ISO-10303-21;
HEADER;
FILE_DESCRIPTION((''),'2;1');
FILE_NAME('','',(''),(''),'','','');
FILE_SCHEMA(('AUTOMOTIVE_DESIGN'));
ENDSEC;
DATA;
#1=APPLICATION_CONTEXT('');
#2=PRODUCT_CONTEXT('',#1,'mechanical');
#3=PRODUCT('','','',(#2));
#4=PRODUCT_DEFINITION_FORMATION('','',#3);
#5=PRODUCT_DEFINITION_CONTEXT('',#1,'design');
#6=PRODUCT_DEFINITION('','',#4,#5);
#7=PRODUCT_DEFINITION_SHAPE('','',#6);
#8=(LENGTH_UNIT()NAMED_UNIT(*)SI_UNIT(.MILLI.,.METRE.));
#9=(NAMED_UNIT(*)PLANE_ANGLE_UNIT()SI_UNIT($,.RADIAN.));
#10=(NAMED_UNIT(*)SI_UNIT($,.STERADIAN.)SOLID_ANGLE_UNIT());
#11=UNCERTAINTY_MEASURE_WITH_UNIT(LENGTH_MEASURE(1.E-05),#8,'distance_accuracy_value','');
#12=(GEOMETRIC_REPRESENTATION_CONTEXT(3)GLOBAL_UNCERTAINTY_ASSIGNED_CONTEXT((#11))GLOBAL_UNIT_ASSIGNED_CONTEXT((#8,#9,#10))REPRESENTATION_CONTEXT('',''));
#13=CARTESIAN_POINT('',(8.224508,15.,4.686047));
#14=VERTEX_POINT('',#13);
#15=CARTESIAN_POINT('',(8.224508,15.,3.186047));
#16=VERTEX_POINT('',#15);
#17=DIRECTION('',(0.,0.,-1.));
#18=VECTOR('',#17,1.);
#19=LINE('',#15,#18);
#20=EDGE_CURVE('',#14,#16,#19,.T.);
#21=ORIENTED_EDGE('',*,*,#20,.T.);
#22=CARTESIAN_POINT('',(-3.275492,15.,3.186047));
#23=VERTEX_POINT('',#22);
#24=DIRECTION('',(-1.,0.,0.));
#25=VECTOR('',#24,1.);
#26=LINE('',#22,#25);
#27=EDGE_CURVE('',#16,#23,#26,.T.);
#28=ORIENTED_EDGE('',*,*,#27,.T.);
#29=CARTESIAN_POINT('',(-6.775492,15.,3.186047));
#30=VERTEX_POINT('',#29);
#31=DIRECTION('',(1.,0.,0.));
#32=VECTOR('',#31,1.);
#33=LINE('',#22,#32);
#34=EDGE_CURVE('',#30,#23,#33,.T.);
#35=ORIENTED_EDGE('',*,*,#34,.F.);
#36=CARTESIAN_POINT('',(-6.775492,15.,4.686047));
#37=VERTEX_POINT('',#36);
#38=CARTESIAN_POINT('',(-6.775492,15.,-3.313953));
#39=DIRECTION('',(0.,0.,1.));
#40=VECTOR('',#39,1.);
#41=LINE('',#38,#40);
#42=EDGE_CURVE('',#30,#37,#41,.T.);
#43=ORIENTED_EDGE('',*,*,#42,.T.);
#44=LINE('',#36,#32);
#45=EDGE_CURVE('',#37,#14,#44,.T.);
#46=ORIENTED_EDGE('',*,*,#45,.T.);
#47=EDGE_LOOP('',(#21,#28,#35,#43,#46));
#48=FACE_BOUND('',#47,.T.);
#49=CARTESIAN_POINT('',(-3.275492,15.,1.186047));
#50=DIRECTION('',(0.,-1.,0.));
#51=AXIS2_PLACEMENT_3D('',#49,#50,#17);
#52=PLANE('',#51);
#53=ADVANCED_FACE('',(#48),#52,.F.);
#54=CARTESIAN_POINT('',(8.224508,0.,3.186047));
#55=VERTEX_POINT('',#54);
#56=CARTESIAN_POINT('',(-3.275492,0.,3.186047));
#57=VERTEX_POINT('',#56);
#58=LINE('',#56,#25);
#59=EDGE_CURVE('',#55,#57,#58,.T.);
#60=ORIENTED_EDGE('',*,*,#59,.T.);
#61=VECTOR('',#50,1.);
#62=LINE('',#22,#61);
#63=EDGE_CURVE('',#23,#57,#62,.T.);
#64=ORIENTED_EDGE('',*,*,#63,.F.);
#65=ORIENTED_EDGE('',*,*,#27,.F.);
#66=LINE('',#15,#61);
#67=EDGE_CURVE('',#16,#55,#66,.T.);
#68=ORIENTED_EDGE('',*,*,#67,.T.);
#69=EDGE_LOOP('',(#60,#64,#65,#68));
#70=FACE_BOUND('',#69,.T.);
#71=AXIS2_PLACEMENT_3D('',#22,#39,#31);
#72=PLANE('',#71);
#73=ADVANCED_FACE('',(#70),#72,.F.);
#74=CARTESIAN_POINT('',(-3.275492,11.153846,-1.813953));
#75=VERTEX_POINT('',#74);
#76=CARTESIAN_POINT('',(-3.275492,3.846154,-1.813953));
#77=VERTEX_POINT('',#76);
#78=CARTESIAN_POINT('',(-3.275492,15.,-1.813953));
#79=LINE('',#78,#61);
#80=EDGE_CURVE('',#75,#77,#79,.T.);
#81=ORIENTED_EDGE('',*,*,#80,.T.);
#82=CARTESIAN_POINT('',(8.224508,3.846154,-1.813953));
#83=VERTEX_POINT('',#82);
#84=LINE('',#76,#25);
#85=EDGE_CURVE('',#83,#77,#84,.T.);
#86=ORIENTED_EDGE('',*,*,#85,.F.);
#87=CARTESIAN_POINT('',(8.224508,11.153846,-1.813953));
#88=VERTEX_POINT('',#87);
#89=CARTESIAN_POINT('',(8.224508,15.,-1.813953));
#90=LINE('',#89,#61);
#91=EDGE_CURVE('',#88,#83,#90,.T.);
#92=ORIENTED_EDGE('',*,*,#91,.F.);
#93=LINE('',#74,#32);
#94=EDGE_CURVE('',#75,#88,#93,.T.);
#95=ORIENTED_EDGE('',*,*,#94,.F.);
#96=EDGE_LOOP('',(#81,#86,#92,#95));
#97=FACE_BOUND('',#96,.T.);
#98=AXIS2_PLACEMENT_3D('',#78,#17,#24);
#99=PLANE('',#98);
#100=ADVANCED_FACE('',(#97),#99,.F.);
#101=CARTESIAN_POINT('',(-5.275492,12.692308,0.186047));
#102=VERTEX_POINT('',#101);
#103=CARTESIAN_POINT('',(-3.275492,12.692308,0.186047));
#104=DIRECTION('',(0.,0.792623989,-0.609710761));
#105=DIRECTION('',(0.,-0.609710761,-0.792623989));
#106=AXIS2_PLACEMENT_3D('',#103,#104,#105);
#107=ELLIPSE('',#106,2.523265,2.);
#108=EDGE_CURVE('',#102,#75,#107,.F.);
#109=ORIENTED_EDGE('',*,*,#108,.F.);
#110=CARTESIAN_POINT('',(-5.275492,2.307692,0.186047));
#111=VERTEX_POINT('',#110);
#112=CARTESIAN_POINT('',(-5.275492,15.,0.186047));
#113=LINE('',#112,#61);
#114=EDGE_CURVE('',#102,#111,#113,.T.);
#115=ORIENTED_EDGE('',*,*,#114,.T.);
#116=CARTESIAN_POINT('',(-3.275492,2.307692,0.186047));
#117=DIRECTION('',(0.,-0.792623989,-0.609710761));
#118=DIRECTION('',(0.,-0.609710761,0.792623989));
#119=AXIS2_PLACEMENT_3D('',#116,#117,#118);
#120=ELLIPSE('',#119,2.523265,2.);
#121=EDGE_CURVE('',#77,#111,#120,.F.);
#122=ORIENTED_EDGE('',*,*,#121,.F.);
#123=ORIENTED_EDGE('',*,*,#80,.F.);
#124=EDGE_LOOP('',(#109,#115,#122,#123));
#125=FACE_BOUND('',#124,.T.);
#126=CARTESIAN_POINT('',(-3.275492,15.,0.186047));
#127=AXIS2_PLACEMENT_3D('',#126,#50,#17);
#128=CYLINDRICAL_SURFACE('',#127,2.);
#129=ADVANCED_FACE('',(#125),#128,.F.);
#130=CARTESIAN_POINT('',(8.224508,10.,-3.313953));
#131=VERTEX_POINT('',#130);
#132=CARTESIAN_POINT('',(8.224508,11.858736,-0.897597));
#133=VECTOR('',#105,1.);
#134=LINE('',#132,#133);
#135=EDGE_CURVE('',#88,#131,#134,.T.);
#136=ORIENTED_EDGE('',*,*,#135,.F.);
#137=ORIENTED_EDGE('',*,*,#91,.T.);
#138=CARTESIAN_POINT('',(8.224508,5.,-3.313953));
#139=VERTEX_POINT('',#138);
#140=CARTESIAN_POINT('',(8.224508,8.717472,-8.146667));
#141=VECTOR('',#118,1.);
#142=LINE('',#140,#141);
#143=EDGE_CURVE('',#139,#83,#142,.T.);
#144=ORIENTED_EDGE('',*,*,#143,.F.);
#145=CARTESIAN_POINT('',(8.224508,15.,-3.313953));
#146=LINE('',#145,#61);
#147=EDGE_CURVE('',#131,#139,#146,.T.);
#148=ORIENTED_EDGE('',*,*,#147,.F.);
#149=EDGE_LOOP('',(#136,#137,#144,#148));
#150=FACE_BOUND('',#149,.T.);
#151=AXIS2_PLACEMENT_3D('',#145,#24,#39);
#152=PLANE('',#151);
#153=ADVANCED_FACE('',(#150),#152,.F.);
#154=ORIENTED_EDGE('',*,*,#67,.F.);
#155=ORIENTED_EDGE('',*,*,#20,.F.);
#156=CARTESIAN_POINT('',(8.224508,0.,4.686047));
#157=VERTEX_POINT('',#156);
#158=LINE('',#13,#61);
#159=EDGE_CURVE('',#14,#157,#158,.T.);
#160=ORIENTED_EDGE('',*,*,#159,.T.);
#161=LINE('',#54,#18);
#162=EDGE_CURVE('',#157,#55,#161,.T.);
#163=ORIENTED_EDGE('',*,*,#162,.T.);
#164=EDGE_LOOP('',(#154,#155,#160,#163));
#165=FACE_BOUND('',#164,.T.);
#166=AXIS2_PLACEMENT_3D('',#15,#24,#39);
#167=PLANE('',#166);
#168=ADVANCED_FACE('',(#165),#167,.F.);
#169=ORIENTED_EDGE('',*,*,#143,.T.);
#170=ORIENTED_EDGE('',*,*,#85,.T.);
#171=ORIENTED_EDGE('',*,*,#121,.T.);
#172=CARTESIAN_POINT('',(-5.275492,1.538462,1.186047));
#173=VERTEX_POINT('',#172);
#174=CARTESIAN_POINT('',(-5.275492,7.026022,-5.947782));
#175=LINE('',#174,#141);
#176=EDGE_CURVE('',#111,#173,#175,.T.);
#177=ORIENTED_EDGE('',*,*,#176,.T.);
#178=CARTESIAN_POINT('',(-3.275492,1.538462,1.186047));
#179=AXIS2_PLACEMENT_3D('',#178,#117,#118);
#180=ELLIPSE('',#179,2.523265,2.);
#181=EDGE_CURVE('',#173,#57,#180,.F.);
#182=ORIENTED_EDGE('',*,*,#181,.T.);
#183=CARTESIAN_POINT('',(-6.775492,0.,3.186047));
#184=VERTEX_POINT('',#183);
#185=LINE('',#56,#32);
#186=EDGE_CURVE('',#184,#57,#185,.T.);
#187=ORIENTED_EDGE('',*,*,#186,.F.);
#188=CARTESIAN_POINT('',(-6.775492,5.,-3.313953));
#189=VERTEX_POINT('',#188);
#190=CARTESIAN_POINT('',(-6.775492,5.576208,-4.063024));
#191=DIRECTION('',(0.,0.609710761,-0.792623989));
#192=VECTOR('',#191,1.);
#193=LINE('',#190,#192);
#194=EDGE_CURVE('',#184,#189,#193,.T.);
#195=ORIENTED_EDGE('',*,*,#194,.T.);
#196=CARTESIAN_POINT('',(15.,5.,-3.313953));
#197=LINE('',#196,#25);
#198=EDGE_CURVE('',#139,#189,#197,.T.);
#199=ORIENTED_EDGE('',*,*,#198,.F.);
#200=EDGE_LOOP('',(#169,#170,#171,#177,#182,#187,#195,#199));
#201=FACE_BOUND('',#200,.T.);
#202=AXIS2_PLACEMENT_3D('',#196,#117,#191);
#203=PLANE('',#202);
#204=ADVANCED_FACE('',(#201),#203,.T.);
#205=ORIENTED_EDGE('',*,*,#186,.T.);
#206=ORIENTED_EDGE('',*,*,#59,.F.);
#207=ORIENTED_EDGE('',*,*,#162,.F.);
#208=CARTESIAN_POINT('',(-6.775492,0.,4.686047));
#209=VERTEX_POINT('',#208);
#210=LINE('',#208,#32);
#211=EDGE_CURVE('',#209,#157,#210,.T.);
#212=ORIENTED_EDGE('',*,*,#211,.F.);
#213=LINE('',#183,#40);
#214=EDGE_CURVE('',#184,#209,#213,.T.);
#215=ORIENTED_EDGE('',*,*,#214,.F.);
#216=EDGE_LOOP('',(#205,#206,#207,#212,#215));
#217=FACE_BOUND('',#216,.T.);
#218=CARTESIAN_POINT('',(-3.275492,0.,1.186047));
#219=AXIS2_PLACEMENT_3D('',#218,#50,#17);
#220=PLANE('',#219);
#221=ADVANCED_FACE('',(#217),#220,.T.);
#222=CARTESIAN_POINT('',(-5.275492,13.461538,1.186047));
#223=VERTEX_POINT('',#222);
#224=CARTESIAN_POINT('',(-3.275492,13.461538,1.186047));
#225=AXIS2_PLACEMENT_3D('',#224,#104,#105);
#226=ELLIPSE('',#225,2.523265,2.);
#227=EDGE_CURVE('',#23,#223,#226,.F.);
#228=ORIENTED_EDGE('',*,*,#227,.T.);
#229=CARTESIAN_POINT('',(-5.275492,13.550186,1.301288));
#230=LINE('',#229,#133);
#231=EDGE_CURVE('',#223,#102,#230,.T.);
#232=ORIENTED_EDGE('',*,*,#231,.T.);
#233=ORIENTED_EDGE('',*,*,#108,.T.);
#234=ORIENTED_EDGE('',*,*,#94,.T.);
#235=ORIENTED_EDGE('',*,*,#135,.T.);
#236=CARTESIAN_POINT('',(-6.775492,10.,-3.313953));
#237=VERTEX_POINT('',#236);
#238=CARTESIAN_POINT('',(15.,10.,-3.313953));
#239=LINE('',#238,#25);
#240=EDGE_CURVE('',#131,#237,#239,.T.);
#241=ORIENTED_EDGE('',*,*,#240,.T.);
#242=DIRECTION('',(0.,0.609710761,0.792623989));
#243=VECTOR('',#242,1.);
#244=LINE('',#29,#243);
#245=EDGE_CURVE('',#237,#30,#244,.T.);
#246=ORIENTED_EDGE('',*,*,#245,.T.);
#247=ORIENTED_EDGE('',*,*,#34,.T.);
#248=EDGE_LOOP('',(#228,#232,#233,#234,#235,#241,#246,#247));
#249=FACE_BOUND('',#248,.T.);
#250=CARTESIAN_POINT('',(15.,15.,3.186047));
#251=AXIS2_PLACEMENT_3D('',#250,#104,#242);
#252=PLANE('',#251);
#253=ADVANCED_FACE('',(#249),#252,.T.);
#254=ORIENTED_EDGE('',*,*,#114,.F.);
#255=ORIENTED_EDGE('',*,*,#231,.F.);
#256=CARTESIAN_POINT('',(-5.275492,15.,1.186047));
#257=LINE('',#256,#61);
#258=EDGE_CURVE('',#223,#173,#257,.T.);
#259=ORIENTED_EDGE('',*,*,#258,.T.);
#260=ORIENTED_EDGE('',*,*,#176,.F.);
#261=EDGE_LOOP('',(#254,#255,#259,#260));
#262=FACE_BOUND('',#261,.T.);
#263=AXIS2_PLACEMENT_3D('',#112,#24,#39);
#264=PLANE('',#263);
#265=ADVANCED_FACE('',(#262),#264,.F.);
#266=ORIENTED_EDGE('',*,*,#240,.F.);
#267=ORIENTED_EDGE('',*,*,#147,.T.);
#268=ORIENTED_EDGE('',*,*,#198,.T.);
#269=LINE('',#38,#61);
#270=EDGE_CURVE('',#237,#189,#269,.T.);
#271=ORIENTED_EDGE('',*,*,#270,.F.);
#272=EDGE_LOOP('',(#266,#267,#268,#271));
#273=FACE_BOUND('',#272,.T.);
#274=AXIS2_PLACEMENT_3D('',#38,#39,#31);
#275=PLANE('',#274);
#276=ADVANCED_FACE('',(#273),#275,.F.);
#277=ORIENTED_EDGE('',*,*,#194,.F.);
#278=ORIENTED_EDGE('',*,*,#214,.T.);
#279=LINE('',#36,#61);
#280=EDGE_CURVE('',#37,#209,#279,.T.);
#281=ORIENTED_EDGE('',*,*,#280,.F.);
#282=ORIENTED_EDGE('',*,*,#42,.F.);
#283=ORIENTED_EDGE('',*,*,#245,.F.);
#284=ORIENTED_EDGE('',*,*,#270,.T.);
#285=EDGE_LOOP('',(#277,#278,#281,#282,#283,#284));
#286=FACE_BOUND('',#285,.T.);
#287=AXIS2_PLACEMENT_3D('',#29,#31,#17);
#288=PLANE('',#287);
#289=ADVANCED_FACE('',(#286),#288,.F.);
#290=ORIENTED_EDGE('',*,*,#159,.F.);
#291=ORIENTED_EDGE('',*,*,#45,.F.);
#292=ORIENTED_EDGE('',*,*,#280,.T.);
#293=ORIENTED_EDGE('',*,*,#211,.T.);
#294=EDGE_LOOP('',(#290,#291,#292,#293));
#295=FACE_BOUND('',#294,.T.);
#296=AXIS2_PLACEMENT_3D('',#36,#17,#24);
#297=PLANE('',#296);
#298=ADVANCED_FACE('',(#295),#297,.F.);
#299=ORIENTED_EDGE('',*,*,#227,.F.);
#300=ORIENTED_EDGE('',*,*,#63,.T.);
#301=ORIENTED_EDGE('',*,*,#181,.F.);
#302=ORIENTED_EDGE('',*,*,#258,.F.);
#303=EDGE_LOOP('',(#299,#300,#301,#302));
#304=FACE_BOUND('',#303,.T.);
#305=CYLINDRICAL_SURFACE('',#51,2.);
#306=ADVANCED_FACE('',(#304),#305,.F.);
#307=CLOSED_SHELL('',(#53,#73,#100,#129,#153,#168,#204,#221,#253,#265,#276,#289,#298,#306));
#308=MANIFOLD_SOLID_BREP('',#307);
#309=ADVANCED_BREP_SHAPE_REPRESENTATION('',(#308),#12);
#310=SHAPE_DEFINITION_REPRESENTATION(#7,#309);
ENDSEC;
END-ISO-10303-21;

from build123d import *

# Parameters (mm, degrees)
BOSS_EXTRUDE1_DEPTH     = 15
CUT_EXTRUDE1_DEPTH      = 15
CUT_EXTRUDE1_DEPTH_BACK = 15


with BuildPart() as part:
    # Sketch1 → Boss-Extrude1 (new body)
    with BuildSketch(Plane(origin=(0, 0, 0), x_dir=(1, 0, 0), z_dir=(0, 1, 0))):
        with BuildLine():
            Line((-6.77549195, 3.313953488), (8.22450805, 3.313953488))
            Line((8.22450805, 3.313953488), (8.22450805, 1.813953488))
            Line((8.22450805, 1.813953488), (-3.27549195, 1.813953488))
            ThreePointArc((-3.27549195, 1.813953488), (-4.689705512, 1.228167051), (-5.27549195, -0.186046512))
            Line((-5.27549195, -0.186046512), (-5.27549195, -1.186046512))
            ThreePointArc((-5.27549195, -1.186046512), (-4.689705512, -2.600260074), (-3.27549195, -3.186046512))
            Line((-3.27549195, -3.186046512), (8.22450805, -3.186046512))
            Line((8.22450805, -3.186046512), (8.22450805, -4.686046512))
            Line((8.22450805, -4.686046512), (-6.77549195, -4.686046512))
            Line((-6.77549195, -4.686046512), (-6.77549195, -3.186046512))
            Line((-6.77549195, -3.186046512), (-6.77549195, 1.813953488))
            Line((-6.77549195, 1.813953488), (-6.77549195, 3.313953488))
        make_face()
    extrude(amount=BOSS_EXTRUDE1_DEPTH)

    # Sketch2 → Cut-Extrude1 (cut, two sides: drawn at the far end of the back side and taken through both)
    with BuildSketch(Plane(origin=(0, 0, 0), x_dir=(0, 0, -1), z_dir=(1, 0, 0)).offset(-CUT_EXTRUDE1_DEPTH_BACK)):
        Polygon((-3.186046512, 15), (3.313953488, 10), (3.313953488, 5), (-3.186046512, 0), (5.545494288, -1.974836629), (16.327123692, 9.034309621), (5.033464235, 17.721739972), align=None)
    extrude(amount=CUT_EXTRUDE1_DEPTH + CUT_EXTRUDE1_DEPTH_BACK, mode=Mode.SUBTRACT)


solid = part.part
